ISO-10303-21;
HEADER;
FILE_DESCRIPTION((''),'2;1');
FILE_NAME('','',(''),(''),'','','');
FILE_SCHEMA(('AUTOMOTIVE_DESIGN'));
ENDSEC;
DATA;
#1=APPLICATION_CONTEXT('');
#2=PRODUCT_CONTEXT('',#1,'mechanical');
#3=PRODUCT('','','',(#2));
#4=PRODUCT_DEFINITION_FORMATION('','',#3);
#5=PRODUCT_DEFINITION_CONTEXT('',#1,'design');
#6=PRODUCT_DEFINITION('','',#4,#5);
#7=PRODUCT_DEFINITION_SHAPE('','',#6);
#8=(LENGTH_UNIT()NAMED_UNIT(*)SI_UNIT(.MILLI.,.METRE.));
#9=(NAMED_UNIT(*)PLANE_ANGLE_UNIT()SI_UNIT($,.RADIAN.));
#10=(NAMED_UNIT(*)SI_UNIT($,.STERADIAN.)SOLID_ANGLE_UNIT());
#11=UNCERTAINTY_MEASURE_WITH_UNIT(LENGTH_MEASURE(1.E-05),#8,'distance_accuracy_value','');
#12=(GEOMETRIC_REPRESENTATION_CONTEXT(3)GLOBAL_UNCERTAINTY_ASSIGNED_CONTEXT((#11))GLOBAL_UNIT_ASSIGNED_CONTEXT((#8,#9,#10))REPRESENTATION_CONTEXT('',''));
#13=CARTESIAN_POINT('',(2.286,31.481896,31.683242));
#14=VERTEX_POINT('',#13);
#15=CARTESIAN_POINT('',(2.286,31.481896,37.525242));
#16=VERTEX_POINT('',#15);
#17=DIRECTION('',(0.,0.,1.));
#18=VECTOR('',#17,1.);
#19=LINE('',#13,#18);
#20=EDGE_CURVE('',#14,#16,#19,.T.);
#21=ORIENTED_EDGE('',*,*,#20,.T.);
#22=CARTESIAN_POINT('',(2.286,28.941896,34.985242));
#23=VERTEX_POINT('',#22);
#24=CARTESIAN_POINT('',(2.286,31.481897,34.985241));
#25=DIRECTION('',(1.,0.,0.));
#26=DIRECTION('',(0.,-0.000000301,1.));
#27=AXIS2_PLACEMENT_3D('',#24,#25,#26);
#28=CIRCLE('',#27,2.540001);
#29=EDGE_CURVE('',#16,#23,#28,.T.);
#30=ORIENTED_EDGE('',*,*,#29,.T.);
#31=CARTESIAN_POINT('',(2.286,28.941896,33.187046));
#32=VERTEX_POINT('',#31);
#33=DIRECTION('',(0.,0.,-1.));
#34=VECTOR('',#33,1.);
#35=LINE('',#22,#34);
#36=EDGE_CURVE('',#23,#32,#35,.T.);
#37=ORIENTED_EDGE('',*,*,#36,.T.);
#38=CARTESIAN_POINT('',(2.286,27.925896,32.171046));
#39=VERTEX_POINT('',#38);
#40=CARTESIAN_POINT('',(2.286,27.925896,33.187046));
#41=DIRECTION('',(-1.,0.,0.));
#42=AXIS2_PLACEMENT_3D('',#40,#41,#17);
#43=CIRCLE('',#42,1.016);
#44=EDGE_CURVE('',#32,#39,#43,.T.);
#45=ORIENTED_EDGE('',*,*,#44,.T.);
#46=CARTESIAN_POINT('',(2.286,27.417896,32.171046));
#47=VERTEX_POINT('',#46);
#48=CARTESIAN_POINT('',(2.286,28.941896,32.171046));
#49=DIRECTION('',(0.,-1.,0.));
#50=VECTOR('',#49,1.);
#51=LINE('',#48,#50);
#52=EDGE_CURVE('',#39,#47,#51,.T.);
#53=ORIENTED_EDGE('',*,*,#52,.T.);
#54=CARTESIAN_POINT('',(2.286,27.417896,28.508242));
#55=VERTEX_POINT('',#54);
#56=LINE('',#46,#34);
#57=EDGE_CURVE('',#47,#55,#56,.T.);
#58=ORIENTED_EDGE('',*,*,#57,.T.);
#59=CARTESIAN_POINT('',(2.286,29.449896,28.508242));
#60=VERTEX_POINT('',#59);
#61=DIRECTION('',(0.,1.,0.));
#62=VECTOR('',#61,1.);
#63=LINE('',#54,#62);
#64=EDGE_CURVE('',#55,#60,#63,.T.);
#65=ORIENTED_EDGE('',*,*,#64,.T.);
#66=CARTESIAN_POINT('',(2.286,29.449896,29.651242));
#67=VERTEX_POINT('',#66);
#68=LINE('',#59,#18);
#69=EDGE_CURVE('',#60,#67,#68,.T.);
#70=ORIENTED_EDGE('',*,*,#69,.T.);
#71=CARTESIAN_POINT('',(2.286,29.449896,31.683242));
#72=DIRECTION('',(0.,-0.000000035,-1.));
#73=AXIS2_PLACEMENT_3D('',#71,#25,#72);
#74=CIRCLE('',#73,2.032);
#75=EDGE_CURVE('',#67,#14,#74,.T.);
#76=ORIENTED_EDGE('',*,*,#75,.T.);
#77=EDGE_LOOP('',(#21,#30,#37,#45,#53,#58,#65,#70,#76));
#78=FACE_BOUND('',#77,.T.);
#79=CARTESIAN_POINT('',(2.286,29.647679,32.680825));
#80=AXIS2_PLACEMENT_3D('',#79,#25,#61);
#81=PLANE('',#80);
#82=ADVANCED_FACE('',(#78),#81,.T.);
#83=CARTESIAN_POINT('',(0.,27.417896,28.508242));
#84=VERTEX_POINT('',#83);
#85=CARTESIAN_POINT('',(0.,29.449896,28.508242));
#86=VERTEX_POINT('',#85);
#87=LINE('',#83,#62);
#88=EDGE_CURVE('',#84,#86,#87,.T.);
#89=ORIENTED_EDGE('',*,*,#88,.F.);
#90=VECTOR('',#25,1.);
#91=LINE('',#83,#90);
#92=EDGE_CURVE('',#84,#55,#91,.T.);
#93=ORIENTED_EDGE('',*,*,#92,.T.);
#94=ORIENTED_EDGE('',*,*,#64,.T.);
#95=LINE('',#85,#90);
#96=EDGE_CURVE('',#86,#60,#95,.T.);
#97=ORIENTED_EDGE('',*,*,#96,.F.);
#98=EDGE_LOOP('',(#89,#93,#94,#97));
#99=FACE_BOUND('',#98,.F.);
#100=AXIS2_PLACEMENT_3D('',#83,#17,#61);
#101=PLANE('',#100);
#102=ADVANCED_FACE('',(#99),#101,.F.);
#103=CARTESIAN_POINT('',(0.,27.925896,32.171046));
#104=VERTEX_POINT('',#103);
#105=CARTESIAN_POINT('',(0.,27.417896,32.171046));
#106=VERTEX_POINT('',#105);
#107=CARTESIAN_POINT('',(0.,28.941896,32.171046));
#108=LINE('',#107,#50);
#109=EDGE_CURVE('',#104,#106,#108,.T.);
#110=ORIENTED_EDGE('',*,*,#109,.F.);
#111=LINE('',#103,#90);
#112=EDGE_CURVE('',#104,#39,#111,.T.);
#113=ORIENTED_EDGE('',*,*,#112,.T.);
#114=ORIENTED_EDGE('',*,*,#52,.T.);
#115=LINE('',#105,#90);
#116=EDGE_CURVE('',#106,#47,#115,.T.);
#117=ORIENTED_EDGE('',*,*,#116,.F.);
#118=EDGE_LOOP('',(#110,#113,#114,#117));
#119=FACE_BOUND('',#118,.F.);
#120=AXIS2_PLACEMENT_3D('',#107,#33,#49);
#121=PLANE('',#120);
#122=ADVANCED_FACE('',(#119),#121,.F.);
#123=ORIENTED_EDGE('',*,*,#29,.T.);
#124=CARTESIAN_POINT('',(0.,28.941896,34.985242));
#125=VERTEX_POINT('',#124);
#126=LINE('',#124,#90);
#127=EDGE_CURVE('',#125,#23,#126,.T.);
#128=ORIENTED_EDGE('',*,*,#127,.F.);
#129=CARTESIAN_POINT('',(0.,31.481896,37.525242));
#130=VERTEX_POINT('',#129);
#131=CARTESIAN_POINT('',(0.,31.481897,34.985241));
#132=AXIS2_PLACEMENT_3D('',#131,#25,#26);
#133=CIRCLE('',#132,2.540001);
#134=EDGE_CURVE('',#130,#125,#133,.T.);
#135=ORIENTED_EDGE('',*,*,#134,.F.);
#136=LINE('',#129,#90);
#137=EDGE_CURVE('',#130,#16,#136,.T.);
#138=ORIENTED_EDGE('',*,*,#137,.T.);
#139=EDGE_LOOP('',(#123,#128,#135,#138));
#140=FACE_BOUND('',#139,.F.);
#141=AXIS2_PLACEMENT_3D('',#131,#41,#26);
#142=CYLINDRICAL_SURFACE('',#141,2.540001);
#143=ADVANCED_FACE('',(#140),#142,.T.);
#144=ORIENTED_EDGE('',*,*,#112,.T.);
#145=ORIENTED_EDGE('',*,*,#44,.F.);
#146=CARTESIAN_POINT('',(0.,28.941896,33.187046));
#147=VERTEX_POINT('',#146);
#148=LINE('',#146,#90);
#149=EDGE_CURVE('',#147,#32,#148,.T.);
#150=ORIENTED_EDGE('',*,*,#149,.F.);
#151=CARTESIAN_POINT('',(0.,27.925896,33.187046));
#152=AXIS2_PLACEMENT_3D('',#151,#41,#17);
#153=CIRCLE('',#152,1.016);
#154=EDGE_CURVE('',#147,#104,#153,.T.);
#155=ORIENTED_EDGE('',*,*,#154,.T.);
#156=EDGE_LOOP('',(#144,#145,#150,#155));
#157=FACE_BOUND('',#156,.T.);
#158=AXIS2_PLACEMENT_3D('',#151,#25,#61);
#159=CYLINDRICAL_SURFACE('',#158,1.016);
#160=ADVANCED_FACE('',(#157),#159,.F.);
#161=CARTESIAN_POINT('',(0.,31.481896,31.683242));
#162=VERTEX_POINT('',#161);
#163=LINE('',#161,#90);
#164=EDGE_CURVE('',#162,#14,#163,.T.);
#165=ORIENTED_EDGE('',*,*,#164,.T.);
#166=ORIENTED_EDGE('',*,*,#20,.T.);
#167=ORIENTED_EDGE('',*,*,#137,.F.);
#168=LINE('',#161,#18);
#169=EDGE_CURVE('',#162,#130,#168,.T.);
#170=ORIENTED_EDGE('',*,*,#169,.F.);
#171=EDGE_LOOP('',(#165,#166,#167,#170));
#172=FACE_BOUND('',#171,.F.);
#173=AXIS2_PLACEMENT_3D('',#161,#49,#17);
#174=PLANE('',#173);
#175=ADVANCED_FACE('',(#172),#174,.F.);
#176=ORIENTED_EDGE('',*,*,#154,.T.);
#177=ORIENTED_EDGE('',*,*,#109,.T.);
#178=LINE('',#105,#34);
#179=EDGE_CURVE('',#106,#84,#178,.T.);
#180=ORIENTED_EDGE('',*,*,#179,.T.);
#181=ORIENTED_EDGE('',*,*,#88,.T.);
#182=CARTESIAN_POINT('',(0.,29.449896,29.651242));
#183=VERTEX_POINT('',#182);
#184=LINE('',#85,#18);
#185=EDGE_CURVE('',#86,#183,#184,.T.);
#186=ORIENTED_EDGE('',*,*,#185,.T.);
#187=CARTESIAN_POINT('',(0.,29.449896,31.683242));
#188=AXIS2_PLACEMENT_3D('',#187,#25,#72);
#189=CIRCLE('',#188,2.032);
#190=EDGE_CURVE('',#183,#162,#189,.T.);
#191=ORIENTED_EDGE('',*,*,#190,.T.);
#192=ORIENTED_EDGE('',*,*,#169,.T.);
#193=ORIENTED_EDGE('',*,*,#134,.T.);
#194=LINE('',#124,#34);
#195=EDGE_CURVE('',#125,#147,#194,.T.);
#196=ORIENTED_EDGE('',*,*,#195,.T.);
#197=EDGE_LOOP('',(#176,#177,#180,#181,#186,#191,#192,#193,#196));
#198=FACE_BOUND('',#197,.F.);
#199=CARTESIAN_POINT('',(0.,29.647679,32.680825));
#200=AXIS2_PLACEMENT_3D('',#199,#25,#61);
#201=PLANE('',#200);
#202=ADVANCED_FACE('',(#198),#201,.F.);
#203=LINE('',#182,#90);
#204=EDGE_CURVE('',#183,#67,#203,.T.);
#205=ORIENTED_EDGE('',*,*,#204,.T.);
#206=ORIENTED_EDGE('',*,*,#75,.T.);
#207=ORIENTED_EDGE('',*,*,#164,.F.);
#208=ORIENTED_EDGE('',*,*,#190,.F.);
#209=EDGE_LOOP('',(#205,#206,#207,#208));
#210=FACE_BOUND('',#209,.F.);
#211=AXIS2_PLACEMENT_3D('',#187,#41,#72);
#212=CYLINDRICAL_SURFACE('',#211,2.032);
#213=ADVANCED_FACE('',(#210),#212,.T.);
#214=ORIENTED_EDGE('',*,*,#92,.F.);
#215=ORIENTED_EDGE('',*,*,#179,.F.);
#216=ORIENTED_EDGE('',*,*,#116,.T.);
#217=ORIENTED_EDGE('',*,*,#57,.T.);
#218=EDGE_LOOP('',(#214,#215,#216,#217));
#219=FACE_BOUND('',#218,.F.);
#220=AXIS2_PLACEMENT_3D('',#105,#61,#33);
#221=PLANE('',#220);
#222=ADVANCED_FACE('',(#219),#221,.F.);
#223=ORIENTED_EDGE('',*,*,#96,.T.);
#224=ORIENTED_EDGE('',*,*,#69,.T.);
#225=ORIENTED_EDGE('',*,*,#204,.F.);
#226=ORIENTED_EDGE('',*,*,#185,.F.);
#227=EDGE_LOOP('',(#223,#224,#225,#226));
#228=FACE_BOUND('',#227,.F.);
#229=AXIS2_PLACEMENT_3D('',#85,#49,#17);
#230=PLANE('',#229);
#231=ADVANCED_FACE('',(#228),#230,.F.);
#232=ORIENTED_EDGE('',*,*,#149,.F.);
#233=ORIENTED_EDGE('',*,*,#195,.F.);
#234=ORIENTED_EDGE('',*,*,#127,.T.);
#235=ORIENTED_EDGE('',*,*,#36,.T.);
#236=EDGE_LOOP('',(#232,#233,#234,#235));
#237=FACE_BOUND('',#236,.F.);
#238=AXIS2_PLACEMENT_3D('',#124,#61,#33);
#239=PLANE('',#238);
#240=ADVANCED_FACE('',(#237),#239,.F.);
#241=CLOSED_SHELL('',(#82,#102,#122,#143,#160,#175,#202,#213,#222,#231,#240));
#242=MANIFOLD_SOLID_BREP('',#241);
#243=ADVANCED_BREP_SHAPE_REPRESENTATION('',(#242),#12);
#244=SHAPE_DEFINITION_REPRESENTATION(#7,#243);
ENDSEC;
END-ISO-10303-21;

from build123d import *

# Parameters (mm, degrees)
F1_DEPTH = 2.286
F2_R     = 1.016


with BuildPart() as f1:
    # F0 (on Right) → F1 (new body)
    with BuildSketch(Plane.YZ):
        with BuildLine():
            Line((31.481896, 31.683242), (31.481896, 37.525242))
            ThreePointArc((31.481896, 37.525242), (29.685845, 36.781293), (28.941896, 34.985242))
            Line((28.941896, 34.985242), (28.941896, 32.171046))
            Line((28.941896, 32.171046), (27.417896, 32.171046))
            Line((27.417896, 32.171046), (27.417896, 29.905242))
            Line((27.417896, 29.905242), (27.417896, 28.508242))
            Line((27.417896, 28.508242), (29.449896, 28.508242))
            Line((29.449896, 28.508242), (29.449896, 29.651242))
            ThreePointArc((29.449896, 29.651242), (30.886737, 30.246401), (31.481896, 31.683242))
        make_face()
    extrude(amount=F1_DEPTH)

    # F2
    f2_edges = [f1.edges().sort_by_distance(p)[0] for p in [
        (1.143, 28.941896, 32.171046),
    ]]
    fillet(f2_edges, radius=F2_R)


solid = f1.part
